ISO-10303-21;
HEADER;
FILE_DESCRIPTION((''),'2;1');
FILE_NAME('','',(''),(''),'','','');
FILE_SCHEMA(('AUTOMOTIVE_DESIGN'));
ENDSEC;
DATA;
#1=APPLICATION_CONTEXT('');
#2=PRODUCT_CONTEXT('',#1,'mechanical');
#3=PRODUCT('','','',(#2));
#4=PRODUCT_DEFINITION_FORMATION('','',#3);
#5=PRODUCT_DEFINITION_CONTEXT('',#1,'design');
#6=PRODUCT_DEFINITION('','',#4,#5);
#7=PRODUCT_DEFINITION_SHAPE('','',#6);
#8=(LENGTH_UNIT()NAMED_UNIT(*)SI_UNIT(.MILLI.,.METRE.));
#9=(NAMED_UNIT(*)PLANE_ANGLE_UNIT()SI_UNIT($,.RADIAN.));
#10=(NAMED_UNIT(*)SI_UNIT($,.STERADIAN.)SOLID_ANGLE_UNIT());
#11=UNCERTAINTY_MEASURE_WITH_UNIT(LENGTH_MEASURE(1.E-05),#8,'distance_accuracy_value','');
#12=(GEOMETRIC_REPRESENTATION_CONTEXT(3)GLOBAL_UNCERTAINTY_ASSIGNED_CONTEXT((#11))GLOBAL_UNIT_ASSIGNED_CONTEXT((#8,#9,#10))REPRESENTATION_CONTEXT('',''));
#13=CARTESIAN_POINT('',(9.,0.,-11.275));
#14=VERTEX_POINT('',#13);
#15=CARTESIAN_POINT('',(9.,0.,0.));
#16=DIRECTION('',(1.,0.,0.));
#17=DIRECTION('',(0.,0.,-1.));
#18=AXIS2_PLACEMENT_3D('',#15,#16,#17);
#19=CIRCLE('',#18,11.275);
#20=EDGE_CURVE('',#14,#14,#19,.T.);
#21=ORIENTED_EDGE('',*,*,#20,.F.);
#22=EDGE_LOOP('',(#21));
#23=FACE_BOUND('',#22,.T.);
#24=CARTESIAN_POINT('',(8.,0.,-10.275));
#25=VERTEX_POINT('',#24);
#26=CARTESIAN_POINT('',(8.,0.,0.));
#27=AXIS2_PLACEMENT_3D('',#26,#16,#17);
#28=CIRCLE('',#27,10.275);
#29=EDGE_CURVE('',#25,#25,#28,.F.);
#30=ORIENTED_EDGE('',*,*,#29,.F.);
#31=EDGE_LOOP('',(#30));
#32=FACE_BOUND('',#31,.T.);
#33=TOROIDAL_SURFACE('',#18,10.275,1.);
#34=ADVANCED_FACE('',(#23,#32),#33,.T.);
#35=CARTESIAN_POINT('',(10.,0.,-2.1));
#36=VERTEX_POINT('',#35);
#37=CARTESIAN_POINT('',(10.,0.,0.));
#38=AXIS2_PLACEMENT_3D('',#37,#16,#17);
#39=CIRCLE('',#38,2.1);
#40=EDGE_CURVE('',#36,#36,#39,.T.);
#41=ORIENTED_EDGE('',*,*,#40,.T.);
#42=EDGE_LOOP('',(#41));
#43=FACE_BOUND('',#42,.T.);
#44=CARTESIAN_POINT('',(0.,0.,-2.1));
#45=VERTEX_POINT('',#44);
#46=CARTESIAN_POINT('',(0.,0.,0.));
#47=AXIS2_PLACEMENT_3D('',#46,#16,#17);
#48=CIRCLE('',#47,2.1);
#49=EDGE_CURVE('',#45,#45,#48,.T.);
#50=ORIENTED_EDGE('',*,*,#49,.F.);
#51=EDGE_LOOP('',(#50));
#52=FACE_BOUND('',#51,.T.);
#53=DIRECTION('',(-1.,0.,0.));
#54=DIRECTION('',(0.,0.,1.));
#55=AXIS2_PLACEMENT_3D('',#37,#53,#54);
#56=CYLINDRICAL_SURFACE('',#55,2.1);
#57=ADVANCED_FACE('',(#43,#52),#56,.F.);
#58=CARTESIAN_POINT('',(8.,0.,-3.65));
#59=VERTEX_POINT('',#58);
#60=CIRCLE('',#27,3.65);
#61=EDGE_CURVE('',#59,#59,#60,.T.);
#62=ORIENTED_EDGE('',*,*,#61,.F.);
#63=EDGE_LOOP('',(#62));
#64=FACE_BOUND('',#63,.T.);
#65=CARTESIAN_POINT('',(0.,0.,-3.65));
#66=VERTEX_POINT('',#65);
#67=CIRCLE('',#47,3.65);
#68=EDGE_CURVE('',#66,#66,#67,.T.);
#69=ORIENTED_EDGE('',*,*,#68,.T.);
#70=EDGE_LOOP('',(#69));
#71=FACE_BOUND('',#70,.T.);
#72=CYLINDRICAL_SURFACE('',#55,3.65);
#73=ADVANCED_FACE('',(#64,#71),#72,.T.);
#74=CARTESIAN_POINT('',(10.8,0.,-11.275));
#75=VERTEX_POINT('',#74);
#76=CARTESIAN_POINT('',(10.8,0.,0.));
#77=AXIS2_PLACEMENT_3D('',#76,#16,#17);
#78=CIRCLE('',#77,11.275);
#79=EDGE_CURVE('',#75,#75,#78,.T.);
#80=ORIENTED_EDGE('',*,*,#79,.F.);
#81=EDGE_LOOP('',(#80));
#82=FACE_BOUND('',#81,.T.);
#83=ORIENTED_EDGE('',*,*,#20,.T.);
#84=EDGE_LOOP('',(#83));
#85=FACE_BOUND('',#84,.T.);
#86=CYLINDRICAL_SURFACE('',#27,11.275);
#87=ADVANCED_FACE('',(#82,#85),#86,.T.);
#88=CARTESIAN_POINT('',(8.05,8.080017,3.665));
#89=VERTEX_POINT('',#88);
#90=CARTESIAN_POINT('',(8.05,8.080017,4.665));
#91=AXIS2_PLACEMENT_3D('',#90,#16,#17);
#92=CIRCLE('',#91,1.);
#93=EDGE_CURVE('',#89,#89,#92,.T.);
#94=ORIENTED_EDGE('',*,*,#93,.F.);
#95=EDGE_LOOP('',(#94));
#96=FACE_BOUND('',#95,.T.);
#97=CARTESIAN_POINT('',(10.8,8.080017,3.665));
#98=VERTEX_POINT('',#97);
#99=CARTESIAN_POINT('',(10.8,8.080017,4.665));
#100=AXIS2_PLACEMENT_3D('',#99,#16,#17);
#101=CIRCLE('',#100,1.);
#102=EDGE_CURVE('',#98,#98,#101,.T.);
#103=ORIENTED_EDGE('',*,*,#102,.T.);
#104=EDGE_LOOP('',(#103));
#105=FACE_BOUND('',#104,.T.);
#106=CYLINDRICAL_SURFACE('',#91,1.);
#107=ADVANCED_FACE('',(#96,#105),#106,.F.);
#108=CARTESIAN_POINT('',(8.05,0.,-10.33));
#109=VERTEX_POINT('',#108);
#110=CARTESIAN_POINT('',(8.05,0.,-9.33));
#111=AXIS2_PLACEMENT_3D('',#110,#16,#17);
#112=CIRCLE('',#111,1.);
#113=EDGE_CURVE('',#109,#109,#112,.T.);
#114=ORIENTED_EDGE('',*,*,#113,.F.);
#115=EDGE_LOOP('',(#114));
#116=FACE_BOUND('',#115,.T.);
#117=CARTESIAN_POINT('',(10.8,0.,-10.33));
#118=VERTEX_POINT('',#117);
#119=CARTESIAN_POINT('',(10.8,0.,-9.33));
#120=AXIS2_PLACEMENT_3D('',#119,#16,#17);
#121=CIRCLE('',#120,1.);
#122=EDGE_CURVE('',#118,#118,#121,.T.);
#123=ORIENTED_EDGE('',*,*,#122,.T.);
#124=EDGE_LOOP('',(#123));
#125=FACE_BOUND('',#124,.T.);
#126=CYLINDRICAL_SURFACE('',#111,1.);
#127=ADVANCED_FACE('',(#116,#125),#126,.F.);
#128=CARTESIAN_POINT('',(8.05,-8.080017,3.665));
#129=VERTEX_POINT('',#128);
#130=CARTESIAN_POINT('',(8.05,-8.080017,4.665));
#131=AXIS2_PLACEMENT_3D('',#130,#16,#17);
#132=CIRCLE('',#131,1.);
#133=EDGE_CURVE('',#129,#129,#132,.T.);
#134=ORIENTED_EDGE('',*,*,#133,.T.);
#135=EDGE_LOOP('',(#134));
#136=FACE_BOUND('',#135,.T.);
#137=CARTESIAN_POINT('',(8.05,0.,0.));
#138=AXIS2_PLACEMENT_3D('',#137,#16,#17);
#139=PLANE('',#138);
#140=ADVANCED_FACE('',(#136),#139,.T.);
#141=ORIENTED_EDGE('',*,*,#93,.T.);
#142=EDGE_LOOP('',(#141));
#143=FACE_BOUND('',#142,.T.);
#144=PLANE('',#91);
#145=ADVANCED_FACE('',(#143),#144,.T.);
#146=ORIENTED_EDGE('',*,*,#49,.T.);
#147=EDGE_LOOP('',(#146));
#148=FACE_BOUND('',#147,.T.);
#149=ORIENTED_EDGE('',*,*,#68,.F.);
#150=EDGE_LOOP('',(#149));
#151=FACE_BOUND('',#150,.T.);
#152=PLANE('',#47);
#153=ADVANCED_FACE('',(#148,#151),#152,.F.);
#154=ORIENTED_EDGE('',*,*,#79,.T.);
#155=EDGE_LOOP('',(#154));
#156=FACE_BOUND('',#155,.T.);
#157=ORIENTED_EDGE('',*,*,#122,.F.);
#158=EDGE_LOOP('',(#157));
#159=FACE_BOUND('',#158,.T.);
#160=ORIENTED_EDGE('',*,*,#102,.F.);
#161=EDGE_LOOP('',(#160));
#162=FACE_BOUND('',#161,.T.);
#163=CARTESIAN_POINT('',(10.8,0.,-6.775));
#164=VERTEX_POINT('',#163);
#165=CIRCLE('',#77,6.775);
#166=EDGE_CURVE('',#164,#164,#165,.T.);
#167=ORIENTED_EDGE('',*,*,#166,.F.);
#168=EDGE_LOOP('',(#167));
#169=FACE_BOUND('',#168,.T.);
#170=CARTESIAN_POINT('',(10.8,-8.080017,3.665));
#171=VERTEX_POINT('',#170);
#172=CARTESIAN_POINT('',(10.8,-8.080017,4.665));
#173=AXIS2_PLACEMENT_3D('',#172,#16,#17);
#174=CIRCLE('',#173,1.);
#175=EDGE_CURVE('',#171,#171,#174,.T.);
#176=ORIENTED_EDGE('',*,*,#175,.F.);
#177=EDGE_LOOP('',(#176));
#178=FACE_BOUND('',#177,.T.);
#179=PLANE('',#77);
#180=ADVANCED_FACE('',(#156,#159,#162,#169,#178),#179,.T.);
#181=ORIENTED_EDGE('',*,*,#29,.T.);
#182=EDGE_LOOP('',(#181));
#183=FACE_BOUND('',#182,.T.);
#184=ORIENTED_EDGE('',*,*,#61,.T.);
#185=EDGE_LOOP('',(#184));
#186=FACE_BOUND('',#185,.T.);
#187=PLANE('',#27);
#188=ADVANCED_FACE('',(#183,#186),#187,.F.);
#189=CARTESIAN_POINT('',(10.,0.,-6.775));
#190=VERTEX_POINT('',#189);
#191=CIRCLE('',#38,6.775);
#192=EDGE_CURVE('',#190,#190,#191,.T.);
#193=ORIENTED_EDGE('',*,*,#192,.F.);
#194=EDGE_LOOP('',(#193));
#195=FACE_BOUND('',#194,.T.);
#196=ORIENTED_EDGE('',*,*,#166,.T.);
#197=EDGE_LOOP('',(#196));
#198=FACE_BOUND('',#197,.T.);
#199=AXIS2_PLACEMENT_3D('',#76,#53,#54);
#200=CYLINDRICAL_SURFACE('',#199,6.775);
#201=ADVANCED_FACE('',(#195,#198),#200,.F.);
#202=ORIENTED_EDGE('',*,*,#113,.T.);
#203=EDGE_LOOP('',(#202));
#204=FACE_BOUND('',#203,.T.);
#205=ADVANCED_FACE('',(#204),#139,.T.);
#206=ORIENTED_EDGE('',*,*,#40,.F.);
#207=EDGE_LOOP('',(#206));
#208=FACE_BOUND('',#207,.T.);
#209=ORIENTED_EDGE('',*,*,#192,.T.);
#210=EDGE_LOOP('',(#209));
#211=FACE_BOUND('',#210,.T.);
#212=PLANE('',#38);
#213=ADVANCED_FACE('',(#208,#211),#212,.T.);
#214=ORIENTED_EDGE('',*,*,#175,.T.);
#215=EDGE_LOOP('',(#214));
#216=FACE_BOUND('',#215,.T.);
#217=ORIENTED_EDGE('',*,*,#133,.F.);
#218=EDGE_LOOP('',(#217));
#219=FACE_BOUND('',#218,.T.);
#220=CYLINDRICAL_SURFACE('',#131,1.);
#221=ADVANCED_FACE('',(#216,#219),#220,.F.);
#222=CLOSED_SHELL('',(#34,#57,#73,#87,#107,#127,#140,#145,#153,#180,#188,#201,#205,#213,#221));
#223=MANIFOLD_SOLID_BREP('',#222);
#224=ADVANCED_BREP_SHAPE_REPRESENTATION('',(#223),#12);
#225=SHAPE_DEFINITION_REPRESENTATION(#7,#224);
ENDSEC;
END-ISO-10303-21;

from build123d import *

# Parameters (mm, degrees)
SKETCH3_R           = 3.65
SKETCH3_R_2         = 2.1
BOSS_EXTRUDE3_DEPTH = 10
BOSS_EXTRUDE5_START = -2
SKETCH10_R          = 11.275
SKETCH10_R_2        = 2.1
BOSS_EXTRUDE5_DEPTH = 2
SKETCH11_R          = 11.275
SKETCH11_R_2        = 6.775
BOSS_EXTRUDE6_DEPTH = 0.8
SKETCH12_R          = 1
CUT_EXTRUDE2_DEPTH  = 2.75
FILLET3_R           = 1


with BuildPart() as part:
    # Sketch3 → Boss-Extrude3 (new body)
    with BuildSketch(Plane(origin=(0, 0, 0), x_dir=(0, 0, -1), z_dir=(1, 0, 0))):
        Circle(SKETCH3_R)
        Circle(SKETCH3_R_2, mode=Mode.SUBTRACT)
    extrude(amount=BOSS_EXTRUDE3_DEPTH)

    # Sketch10 → Boss-Extrude5 (add)
    with BuildSketch(Plane(origin=(10, 0, 0), x_dir=(0, 0, -1), z_dir=(1, 0, 0)).offset(BOSS_EXTRUDE5_START)):
        Circle(SKETCH10_R)
        Circle(SKETCH10_R_2, mode=Mode.SUBTRACT)
    extrude(amount=BOSS_EXTRUDE5_DEPTH)

    # Sketch11 → Boss-Extrude6 (add)
    with BuildSketch(Plane(origin=(10, 0, 0), x_dir=(0, 0, -1), z_dir=(1, 0, 0))):
        Circle(SKETCH11_R)
        Circle(SKETCH11_R_2, mode=Mode.SUBTRACT)
    extrude(amount=BOSS_EXTRUDE6_DEPTH)

    # Sketch12 → Cut-Extrude2 (cut)
    with BuildSketch(Plane(origin=(10.8, 0, 0), x_dir=(0, 0, -1), z_dir=(1, 0, 0))):
        with Locations((9.33, 0)):
            Circle(SKETCH12_R)
        with Locations((-4.665, 8.080017017)):
            Circle(SKETCH12_R)
        with Locations((-4.665, -8.080017017)):
            Circle(SKETCH12_R)
    extrude(amount=-CUT_EXTRUDE2_DEPTH, mode=Mode.SUBTRACT)

    # Fillet3
    fillet3_edges = [part.edges().sort_by_distance(p)[0] for p in [
        (8, 0, 11.275),
    ]]
    fillet(fillet3_edges, radius=FILLET3_R)


solid = part.part
